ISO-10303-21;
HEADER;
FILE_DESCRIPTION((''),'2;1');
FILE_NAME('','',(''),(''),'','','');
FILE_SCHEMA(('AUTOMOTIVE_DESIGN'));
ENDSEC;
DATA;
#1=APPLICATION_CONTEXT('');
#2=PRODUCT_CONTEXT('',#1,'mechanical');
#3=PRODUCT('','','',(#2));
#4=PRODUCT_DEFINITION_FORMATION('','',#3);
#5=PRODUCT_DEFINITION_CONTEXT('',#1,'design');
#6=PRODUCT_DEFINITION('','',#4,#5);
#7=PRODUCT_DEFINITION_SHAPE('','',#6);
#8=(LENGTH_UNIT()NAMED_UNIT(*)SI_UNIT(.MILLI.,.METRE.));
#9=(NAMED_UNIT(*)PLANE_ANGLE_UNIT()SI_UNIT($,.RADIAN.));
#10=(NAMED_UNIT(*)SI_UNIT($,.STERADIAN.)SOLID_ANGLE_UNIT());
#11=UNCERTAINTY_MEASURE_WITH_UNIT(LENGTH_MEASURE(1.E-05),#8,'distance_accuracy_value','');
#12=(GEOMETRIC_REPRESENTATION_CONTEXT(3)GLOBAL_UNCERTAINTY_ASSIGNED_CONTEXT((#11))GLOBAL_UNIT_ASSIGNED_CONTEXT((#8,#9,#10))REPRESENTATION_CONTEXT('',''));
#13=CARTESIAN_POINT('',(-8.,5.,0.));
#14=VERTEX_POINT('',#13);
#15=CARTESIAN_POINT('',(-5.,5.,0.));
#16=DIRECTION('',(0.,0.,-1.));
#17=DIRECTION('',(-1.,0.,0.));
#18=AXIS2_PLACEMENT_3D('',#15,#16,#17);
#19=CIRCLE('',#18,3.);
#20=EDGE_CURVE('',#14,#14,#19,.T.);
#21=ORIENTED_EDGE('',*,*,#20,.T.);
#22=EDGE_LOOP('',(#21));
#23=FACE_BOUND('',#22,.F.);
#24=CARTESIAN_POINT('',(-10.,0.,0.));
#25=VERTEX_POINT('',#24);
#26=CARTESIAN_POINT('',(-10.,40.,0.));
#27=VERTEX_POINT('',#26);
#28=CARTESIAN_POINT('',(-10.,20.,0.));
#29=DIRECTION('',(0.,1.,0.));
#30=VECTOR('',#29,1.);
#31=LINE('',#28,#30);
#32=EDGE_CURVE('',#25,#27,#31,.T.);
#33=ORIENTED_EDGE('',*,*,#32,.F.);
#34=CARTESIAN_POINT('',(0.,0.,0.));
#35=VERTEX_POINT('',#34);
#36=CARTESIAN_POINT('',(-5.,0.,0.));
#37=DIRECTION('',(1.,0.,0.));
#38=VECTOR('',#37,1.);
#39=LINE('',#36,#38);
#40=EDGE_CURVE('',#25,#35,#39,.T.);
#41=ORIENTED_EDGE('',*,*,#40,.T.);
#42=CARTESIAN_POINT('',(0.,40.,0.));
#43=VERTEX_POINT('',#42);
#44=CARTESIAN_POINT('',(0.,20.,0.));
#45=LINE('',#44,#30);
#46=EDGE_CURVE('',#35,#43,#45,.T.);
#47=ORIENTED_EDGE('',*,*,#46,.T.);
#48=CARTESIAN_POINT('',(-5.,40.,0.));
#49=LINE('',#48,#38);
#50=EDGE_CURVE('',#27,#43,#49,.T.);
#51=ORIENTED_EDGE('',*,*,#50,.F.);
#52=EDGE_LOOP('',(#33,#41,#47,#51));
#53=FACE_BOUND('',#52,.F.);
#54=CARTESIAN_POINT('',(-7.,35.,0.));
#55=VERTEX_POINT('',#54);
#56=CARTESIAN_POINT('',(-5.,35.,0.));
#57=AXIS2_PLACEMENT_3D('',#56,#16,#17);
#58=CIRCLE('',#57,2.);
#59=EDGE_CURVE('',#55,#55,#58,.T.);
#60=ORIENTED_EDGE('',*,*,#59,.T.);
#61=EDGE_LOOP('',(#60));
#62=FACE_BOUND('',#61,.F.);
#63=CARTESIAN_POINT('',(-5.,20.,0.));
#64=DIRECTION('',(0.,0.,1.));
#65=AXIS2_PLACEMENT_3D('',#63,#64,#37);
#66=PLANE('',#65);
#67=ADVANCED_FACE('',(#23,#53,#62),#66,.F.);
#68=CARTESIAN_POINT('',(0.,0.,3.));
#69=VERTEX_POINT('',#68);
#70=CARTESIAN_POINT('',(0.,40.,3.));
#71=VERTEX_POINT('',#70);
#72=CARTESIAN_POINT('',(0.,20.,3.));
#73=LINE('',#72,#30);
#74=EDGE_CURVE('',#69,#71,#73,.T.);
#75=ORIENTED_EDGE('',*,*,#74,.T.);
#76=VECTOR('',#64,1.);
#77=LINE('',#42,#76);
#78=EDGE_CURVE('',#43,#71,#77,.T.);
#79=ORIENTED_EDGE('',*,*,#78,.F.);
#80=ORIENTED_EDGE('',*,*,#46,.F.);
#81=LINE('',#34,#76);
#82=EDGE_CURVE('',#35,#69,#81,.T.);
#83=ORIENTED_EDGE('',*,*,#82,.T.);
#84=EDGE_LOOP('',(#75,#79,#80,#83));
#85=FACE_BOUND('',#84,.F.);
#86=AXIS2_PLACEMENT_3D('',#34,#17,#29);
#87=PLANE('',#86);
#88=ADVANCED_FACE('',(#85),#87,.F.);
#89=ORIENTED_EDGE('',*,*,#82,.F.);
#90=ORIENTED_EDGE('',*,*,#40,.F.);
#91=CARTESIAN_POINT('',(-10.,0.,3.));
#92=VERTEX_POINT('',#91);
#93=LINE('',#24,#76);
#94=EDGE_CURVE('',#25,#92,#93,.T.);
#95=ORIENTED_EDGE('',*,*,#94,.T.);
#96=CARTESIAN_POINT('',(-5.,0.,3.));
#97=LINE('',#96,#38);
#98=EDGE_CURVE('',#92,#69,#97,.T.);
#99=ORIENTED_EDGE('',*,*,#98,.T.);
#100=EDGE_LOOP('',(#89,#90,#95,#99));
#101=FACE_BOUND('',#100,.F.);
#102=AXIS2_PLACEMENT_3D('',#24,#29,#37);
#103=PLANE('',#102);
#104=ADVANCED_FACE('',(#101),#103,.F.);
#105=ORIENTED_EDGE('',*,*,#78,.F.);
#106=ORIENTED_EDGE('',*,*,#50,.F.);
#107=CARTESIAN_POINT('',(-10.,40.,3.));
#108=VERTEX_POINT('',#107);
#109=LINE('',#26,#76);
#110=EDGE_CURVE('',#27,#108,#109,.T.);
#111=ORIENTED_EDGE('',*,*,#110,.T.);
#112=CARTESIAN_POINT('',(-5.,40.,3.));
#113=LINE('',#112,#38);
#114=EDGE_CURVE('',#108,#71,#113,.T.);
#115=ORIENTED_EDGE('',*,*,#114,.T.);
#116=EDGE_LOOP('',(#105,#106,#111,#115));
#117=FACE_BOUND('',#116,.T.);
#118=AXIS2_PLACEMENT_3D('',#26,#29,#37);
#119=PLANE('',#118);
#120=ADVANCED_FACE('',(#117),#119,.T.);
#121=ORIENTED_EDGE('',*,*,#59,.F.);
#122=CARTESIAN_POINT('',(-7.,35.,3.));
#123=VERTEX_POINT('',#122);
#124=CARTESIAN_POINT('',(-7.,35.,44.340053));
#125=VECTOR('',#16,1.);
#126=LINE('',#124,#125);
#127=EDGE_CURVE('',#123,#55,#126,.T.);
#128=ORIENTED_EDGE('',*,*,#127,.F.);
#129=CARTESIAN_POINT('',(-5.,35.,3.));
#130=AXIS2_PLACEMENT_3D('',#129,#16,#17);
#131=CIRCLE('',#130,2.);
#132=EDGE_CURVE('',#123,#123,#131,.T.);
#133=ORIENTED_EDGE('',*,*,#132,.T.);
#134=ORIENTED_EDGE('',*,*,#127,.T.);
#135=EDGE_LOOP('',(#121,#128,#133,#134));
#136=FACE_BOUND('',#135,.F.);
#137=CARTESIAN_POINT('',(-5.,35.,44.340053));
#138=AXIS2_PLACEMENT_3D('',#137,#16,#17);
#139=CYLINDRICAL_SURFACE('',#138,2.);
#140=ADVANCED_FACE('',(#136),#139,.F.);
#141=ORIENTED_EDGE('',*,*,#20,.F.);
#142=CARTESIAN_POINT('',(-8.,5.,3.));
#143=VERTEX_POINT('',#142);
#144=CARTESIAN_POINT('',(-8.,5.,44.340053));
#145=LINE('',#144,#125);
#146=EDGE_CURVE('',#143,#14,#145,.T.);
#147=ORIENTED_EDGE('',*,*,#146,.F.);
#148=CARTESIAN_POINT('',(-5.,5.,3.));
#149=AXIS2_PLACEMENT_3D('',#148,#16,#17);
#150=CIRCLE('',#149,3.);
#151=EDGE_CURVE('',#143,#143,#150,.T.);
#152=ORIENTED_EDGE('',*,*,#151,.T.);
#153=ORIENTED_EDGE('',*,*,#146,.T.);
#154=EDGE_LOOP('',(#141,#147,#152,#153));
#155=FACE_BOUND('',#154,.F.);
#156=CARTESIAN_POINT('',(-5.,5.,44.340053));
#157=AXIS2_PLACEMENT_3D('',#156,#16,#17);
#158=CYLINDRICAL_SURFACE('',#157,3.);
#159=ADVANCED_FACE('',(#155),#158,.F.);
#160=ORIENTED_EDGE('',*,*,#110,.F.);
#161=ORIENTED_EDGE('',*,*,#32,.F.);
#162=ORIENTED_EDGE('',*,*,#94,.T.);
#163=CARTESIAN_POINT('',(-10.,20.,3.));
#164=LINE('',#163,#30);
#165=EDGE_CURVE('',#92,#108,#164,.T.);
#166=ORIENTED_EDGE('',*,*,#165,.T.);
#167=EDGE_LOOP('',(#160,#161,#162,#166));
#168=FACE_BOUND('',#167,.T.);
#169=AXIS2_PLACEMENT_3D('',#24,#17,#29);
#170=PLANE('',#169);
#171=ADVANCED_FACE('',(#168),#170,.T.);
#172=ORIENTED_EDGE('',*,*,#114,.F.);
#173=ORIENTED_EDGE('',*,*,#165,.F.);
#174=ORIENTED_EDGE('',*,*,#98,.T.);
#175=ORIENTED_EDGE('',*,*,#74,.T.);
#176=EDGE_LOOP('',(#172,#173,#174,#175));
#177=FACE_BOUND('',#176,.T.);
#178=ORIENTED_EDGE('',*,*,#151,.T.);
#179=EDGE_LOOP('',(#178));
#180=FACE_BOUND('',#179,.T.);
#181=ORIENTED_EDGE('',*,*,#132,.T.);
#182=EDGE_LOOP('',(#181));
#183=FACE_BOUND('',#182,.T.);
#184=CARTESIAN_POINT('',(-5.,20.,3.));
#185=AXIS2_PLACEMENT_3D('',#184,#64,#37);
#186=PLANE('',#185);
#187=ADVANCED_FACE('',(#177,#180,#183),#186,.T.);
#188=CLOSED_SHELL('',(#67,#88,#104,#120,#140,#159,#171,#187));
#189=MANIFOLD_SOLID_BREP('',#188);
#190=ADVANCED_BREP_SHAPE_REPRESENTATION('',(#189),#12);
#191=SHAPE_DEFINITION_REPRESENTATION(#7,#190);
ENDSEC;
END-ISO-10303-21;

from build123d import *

# Parameters (mm, degrees)
F0_W     = 10
F0_H     = 40
F1_DEPTH = 3
F3_D     = 6
F4_D     = 4


with BuildPart() as f1:
    # F0 (on Top) → F1 (new body)
    with BuildSketch(Plane.XY):
        with Locations((-5, 20)):
            Rectangle(F0_W, F0_H)
    extrude(amount=F1_DEPTH)

    # F3 (through all)
    with Locations(Plane.XY.offset(3)):
        with Locations((-5, 5)):
            Hole(F3_D / 2)

    # F4 (through all)
    with Locations(Plane.XY.offset(3)):
        with Locations((-5, 35)):
            Hole(F4_D / 2)


solid = f1.part
